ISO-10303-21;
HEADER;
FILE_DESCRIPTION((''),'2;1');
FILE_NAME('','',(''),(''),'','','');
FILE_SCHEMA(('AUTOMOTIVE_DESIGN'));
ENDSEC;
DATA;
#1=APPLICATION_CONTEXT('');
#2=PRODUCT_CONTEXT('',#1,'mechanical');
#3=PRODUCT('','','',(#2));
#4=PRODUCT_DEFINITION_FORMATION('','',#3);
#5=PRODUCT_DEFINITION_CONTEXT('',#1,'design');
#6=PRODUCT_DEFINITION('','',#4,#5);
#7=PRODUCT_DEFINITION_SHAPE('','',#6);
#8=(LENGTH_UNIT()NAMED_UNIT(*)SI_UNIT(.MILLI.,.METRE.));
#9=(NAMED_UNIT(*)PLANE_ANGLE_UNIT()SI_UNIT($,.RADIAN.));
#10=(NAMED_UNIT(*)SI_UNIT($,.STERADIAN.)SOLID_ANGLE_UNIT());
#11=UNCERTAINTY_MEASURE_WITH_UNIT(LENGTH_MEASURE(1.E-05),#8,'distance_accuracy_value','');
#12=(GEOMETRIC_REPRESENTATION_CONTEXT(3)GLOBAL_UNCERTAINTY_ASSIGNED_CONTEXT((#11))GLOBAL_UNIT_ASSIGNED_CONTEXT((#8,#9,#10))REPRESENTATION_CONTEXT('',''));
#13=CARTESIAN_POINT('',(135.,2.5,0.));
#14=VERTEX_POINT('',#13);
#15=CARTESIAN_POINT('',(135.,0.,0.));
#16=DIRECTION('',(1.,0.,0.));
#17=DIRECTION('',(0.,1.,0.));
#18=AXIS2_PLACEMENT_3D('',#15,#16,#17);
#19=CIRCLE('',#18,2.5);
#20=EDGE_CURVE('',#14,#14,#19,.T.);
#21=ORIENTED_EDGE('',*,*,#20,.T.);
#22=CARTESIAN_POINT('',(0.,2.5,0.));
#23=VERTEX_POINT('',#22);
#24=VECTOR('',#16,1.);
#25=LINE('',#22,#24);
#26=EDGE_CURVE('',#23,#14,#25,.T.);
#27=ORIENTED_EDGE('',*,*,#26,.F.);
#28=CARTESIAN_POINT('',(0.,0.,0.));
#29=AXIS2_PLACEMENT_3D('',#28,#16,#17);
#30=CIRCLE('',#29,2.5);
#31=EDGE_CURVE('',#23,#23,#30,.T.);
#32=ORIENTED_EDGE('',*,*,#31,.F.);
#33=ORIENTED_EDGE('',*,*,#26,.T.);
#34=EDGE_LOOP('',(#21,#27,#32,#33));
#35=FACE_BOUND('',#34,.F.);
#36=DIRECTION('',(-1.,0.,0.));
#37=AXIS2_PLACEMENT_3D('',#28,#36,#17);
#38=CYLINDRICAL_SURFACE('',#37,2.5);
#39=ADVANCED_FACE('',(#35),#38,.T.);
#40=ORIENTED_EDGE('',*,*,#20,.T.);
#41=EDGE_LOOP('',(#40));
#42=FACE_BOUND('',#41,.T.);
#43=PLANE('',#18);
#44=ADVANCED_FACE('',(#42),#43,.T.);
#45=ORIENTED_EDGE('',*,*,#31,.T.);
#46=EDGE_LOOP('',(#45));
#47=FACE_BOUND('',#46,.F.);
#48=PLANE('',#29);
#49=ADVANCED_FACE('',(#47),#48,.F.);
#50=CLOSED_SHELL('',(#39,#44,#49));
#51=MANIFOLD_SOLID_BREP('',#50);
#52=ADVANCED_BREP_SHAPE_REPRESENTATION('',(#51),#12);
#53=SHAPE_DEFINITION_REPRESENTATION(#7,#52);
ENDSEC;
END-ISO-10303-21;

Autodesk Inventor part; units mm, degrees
ref_plane "YZ Plane" through (0, 0, 0) normal (1, 0, 0) x (0, 1, 0)
ref_plane "XZ Plane" through (0, 0, 0) normal (0, 1, 0) x (-1, 0, 0)
ref_plane "XY Plane" through (0, 0, 0) normal (0, 0, 1) x (1, 0, 0)
sketch "Sketch1" plane through (0, 0, 0) normal (1, 0, 0) x (0, 1, 0)
  circle A0 centre (0, 0) radius 2.5
extrude "Extrusion1" add sketch "Sketch1" along normal blind 135
properties part number "Hopper 5mm Axle" material "Steel, Carbon"
